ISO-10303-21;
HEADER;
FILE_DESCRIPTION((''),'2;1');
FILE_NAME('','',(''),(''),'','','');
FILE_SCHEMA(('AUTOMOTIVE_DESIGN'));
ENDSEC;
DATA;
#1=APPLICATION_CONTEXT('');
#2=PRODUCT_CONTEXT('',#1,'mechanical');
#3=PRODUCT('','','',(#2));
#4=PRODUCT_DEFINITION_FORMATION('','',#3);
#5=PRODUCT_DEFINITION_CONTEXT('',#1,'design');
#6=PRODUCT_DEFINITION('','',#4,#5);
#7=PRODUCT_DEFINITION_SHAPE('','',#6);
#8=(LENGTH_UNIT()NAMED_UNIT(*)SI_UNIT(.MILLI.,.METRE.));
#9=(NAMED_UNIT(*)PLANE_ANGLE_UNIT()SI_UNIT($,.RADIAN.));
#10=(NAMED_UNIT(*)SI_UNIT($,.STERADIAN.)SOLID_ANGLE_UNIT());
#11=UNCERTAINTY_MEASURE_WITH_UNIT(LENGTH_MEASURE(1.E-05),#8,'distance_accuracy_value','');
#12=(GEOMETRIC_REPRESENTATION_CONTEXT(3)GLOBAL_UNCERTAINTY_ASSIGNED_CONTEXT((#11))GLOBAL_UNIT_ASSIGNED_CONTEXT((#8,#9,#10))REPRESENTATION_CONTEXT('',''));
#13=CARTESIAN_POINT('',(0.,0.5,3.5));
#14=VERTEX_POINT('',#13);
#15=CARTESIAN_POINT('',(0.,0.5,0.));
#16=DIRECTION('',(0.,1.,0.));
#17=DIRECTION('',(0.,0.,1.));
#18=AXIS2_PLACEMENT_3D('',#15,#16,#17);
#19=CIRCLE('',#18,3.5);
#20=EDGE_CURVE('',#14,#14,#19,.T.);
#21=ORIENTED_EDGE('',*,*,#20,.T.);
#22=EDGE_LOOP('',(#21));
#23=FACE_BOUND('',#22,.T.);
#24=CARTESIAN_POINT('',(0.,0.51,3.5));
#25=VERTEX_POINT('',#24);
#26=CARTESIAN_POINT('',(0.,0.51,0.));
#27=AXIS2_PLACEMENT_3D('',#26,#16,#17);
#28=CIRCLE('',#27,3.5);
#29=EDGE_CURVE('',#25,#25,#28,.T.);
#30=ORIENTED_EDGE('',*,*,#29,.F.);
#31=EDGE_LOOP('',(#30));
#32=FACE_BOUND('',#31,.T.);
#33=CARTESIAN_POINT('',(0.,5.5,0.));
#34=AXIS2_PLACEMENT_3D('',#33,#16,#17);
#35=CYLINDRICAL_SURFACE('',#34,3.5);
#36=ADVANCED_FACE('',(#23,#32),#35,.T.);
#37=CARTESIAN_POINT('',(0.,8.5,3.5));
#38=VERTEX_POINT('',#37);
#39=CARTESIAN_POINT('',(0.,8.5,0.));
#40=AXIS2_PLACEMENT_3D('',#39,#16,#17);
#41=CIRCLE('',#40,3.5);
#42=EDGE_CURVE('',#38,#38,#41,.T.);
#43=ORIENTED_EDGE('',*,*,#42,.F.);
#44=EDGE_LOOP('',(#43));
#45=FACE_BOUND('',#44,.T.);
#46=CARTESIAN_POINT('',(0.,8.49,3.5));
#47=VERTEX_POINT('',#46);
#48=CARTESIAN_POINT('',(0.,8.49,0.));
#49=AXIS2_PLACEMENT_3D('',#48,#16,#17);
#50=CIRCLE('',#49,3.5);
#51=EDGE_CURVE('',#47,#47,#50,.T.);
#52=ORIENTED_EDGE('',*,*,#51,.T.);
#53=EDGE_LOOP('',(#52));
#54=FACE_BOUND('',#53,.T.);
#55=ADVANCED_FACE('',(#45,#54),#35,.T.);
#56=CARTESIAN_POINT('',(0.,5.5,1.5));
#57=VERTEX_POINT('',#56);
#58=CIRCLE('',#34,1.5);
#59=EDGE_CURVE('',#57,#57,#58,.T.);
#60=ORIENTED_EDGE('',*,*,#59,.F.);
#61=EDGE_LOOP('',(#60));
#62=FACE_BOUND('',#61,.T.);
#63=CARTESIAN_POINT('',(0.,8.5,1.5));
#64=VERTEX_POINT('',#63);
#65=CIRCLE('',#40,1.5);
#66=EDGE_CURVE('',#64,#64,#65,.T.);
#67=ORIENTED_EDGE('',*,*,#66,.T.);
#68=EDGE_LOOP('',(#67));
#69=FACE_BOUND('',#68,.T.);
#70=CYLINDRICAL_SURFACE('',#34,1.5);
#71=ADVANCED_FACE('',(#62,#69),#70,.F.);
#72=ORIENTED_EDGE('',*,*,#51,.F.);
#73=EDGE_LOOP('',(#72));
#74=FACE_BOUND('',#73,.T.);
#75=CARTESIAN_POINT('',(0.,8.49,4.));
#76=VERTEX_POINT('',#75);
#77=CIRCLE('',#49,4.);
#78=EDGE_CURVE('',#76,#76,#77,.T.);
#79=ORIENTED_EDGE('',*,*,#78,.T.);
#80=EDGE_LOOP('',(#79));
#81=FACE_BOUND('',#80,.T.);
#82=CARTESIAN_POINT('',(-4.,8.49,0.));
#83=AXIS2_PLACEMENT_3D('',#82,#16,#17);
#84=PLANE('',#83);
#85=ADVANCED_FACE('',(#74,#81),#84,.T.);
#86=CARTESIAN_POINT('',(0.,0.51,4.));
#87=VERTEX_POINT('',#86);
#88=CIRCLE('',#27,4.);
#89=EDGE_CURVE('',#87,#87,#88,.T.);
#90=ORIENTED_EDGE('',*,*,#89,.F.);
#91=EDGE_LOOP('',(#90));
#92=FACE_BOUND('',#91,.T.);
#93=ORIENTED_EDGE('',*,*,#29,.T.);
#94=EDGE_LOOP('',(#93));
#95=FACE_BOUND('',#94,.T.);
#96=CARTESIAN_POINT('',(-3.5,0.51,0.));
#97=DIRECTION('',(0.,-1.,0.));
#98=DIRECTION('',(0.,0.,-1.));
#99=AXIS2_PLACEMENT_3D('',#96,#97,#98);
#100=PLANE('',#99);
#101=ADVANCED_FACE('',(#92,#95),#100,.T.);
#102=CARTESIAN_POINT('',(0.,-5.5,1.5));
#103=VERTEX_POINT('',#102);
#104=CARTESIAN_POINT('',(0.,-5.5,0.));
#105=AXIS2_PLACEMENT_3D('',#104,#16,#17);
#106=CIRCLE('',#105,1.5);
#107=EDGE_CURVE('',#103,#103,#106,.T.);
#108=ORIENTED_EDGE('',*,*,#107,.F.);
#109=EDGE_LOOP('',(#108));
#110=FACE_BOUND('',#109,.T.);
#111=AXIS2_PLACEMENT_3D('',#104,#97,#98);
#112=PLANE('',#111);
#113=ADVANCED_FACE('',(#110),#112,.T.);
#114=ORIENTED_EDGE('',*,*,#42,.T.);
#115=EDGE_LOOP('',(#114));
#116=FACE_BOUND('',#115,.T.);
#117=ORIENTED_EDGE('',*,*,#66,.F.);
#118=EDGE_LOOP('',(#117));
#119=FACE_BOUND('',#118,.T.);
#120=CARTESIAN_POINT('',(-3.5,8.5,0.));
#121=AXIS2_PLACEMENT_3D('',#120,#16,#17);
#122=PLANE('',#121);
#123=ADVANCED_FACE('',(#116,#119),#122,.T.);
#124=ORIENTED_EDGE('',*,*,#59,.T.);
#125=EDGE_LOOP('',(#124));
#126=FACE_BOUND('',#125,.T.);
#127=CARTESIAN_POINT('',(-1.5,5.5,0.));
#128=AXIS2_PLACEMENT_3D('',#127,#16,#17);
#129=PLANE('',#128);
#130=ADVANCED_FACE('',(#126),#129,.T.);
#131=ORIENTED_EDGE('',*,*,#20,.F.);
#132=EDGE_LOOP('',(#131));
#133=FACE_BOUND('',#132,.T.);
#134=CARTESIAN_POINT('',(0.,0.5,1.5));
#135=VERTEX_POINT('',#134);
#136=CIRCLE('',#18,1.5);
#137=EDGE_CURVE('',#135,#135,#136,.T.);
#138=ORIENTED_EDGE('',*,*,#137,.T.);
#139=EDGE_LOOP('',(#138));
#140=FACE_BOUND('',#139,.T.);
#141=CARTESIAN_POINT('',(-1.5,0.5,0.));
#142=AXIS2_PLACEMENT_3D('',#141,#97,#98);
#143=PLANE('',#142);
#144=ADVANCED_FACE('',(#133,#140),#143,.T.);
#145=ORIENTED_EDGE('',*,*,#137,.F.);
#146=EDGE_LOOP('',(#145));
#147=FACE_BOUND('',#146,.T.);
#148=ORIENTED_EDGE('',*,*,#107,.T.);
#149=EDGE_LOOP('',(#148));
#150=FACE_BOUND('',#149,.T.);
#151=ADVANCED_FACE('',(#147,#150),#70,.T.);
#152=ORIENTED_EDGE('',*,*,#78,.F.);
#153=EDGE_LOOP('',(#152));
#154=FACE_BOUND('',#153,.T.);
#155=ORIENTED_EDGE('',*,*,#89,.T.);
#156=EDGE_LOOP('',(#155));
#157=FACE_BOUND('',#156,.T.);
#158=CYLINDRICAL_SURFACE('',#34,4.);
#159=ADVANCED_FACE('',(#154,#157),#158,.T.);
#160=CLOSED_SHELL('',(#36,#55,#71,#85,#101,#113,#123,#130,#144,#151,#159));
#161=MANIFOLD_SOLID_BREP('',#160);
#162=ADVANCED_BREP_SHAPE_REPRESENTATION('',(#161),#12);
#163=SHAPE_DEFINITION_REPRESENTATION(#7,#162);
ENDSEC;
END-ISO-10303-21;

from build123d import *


with BuildPart() as part:
    # Sketch1 → Revolve1 (revolve)
    with BuildSketch(Plane.XY, mode=Mode.PRIVATE) as revolve1_sk:
        Polygon((0, -5.5), (-1.5, -5.5), (-1.5, 0.5), (-3.5, 0.5), (-3.5, 0.51), (-4, 0.51), (-4, 8.49), (-3.5, 8.49), (-3.5, 8.5), (-1.5, 8.5), (-1.5, 5.5), (0, 5.5), align=None)
    revolve(revolve1_sk.sketch.rotate(Axis((0, 5.5, 0), (0, -1, 0)), 270), axis=Axis((0, 5.5, 0), (0, -1, 0)))


solid = part.part
